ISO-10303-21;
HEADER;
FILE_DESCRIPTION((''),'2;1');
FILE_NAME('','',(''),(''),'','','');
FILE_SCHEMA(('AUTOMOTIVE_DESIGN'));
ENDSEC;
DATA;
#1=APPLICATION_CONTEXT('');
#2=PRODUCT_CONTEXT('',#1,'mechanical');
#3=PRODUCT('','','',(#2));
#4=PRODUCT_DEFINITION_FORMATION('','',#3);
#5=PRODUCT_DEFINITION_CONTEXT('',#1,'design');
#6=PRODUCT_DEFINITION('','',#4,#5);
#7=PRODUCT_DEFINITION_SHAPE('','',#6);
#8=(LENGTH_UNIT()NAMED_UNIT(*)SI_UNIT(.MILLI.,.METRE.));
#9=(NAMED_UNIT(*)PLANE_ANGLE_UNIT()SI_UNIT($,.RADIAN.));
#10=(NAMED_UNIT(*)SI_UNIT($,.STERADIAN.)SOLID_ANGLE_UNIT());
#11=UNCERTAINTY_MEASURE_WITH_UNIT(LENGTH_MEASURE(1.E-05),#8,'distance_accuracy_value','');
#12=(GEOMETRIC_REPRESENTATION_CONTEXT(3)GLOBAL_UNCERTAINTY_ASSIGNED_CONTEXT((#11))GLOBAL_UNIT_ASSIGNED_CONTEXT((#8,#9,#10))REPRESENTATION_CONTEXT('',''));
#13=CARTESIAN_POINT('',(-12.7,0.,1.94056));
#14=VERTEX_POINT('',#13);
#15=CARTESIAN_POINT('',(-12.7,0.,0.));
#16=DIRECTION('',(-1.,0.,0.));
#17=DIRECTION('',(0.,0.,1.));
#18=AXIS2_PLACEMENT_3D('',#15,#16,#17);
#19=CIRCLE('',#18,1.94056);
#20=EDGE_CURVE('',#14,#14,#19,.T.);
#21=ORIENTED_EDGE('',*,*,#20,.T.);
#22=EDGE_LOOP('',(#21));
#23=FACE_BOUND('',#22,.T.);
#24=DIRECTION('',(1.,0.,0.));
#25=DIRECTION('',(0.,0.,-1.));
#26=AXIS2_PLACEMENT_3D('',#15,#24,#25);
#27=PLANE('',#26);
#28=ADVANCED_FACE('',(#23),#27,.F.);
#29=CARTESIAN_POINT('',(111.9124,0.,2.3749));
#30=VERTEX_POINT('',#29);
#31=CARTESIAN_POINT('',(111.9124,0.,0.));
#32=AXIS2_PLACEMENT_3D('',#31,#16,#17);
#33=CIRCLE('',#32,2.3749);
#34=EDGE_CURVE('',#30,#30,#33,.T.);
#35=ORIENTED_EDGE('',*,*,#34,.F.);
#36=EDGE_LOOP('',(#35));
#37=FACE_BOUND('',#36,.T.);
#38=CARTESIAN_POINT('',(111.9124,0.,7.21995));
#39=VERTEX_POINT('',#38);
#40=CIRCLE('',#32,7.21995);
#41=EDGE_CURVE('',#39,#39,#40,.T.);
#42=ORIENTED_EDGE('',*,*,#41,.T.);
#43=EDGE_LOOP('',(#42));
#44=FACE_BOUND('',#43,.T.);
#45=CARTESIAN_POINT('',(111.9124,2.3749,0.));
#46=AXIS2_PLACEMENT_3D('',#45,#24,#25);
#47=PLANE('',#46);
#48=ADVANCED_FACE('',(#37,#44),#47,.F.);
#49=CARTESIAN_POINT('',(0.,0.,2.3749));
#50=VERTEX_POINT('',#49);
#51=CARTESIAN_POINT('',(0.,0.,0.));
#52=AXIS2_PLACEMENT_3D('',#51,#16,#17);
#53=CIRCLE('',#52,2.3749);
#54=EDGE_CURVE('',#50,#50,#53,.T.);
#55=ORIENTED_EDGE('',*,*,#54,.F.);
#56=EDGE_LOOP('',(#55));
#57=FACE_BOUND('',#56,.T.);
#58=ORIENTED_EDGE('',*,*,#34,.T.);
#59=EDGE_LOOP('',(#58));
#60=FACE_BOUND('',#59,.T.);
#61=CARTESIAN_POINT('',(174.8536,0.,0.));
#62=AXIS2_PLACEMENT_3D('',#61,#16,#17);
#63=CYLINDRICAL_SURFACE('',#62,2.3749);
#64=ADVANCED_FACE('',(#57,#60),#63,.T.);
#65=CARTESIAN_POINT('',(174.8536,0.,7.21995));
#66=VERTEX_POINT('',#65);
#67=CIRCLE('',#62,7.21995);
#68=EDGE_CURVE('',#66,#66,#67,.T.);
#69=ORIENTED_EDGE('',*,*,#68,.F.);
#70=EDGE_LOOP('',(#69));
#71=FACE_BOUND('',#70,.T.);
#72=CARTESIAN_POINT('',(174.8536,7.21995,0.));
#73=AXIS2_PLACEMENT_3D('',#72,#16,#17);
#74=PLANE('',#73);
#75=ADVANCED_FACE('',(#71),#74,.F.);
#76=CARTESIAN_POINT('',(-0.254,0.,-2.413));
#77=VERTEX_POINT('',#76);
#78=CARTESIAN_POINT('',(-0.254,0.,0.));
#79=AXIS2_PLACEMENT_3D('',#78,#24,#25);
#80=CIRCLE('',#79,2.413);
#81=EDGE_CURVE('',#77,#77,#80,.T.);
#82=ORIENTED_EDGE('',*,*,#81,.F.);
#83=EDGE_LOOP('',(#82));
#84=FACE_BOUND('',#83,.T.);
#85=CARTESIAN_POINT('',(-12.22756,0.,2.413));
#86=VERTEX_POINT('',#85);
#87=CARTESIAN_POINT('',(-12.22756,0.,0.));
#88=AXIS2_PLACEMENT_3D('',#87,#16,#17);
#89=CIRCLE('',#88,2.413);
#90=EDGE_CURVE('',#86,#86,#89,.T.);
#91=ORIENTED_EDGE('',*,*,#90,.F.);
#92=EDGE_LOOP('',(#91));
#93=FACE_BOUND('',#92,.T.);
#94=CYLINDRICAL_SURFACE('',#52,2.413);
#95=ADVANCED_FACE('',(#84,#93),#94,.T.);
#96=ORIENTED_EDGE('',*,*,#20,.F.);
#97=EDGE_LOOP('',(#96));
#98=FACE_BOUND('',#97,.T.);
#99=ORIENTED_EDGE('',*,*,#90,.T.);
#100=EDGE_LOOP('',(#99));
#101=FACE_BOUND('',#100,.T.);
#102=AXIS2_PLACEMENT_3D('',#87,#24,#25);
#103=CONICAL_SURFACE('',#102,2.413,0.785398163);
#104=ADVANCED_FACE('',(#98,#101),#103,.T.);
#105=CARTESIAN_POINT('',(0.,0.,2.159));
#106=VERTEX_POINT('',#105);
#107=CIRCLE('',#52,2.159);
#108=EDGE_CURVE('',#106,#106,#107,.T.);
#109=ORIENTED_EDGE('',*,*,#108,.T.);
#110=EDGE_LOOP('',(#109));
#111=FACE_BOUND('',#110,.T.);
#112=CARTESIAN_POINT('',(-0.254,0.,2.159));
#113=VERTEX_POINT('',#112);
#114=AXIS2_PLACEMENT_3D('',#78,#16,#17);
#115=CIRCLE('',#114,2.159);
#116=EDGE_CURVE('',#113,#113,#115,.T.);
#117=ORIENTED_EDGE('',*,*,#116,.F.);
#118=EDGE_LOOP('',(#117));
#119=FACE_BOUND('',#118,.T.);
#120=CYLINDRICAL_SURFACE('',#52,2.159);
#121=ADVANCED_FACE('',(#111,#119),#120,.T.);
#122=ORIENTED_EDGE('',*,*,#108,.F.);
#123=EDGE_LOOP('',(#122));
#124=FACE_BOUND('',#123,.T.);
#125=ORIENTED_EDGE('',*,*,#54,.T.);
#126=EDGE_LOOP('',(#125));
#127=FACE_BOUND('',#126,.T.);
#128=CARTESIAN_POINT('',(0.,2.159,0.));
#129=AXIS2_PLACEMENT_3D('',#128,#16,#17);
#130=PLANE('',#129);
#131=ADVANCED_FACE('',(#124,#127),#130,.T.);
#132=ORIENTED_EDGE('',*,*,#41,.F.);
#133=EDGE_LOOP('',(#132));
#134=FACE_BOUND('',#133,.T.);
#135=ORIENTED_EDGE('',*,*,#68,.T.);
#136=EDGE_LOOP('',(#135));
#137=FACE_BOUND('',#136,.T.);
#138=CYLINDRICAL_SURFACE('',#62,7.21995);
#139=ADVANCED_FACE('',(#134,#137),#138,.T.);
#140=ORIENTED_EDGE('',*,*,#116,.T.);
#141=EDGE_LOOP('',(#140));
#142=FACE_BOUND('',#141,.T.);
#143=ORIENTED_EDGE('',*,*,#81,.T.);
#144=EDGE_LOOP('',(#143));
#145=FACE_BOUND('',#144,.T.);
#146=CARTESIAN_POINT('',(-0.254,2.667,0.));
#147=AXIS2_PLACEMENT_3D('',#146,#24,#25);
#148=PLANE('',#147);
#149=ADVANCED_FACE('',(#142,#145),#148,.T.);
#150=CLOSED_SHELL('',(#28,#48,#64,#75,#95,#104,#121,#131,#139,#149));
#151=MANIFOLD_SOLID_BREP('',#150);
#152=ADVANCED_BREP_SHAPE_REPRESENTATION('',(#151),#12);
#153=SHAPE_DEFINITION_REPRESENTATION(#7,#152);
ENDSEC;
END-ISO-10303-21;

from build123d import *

# Parameters (mm, degrees)
SKETCH3_W = 0.254
SKETCH3_H = 0.508


with BuildPart() as part:
    # Sketch1 → Revolve1 (revolve)
    with BuildSketch(Plane.XY):
        Polygon((0, 0), (0, 2.3749), (111.9124, 2.3749), (111.9124, 7.21995), (174.8536, 7.21995), (174.8536, 0), align=None)
    revolve(axis=Axis((174.8536, 0, 0), (-1, 0, 0)))

    # Sketch2 → Revolve2 (revolve)
    with BuildSketch(Plane.XY):
        Polygon((-12.7, 0), (-12.7, 1.94056), (-12.22756, 2.413), (0, 2.413), (0, 0), align=None)
    revolve(axis=Axis((0, 0, 0), (-1, 0, 0)))

    # Sketch3 → Cut-Revolve1 (revolve, cut)
    with BuildSketch(Plane.XY):
        with Locations((-0.127, 2.413)):
            Rectangle(SKETCH3_W, SKETCH3_H)
    revolve(axis=Axis((0, 0, 0), (-1, 0, 0)), mode=Mode.SUBTRACT)


solid = part.part
